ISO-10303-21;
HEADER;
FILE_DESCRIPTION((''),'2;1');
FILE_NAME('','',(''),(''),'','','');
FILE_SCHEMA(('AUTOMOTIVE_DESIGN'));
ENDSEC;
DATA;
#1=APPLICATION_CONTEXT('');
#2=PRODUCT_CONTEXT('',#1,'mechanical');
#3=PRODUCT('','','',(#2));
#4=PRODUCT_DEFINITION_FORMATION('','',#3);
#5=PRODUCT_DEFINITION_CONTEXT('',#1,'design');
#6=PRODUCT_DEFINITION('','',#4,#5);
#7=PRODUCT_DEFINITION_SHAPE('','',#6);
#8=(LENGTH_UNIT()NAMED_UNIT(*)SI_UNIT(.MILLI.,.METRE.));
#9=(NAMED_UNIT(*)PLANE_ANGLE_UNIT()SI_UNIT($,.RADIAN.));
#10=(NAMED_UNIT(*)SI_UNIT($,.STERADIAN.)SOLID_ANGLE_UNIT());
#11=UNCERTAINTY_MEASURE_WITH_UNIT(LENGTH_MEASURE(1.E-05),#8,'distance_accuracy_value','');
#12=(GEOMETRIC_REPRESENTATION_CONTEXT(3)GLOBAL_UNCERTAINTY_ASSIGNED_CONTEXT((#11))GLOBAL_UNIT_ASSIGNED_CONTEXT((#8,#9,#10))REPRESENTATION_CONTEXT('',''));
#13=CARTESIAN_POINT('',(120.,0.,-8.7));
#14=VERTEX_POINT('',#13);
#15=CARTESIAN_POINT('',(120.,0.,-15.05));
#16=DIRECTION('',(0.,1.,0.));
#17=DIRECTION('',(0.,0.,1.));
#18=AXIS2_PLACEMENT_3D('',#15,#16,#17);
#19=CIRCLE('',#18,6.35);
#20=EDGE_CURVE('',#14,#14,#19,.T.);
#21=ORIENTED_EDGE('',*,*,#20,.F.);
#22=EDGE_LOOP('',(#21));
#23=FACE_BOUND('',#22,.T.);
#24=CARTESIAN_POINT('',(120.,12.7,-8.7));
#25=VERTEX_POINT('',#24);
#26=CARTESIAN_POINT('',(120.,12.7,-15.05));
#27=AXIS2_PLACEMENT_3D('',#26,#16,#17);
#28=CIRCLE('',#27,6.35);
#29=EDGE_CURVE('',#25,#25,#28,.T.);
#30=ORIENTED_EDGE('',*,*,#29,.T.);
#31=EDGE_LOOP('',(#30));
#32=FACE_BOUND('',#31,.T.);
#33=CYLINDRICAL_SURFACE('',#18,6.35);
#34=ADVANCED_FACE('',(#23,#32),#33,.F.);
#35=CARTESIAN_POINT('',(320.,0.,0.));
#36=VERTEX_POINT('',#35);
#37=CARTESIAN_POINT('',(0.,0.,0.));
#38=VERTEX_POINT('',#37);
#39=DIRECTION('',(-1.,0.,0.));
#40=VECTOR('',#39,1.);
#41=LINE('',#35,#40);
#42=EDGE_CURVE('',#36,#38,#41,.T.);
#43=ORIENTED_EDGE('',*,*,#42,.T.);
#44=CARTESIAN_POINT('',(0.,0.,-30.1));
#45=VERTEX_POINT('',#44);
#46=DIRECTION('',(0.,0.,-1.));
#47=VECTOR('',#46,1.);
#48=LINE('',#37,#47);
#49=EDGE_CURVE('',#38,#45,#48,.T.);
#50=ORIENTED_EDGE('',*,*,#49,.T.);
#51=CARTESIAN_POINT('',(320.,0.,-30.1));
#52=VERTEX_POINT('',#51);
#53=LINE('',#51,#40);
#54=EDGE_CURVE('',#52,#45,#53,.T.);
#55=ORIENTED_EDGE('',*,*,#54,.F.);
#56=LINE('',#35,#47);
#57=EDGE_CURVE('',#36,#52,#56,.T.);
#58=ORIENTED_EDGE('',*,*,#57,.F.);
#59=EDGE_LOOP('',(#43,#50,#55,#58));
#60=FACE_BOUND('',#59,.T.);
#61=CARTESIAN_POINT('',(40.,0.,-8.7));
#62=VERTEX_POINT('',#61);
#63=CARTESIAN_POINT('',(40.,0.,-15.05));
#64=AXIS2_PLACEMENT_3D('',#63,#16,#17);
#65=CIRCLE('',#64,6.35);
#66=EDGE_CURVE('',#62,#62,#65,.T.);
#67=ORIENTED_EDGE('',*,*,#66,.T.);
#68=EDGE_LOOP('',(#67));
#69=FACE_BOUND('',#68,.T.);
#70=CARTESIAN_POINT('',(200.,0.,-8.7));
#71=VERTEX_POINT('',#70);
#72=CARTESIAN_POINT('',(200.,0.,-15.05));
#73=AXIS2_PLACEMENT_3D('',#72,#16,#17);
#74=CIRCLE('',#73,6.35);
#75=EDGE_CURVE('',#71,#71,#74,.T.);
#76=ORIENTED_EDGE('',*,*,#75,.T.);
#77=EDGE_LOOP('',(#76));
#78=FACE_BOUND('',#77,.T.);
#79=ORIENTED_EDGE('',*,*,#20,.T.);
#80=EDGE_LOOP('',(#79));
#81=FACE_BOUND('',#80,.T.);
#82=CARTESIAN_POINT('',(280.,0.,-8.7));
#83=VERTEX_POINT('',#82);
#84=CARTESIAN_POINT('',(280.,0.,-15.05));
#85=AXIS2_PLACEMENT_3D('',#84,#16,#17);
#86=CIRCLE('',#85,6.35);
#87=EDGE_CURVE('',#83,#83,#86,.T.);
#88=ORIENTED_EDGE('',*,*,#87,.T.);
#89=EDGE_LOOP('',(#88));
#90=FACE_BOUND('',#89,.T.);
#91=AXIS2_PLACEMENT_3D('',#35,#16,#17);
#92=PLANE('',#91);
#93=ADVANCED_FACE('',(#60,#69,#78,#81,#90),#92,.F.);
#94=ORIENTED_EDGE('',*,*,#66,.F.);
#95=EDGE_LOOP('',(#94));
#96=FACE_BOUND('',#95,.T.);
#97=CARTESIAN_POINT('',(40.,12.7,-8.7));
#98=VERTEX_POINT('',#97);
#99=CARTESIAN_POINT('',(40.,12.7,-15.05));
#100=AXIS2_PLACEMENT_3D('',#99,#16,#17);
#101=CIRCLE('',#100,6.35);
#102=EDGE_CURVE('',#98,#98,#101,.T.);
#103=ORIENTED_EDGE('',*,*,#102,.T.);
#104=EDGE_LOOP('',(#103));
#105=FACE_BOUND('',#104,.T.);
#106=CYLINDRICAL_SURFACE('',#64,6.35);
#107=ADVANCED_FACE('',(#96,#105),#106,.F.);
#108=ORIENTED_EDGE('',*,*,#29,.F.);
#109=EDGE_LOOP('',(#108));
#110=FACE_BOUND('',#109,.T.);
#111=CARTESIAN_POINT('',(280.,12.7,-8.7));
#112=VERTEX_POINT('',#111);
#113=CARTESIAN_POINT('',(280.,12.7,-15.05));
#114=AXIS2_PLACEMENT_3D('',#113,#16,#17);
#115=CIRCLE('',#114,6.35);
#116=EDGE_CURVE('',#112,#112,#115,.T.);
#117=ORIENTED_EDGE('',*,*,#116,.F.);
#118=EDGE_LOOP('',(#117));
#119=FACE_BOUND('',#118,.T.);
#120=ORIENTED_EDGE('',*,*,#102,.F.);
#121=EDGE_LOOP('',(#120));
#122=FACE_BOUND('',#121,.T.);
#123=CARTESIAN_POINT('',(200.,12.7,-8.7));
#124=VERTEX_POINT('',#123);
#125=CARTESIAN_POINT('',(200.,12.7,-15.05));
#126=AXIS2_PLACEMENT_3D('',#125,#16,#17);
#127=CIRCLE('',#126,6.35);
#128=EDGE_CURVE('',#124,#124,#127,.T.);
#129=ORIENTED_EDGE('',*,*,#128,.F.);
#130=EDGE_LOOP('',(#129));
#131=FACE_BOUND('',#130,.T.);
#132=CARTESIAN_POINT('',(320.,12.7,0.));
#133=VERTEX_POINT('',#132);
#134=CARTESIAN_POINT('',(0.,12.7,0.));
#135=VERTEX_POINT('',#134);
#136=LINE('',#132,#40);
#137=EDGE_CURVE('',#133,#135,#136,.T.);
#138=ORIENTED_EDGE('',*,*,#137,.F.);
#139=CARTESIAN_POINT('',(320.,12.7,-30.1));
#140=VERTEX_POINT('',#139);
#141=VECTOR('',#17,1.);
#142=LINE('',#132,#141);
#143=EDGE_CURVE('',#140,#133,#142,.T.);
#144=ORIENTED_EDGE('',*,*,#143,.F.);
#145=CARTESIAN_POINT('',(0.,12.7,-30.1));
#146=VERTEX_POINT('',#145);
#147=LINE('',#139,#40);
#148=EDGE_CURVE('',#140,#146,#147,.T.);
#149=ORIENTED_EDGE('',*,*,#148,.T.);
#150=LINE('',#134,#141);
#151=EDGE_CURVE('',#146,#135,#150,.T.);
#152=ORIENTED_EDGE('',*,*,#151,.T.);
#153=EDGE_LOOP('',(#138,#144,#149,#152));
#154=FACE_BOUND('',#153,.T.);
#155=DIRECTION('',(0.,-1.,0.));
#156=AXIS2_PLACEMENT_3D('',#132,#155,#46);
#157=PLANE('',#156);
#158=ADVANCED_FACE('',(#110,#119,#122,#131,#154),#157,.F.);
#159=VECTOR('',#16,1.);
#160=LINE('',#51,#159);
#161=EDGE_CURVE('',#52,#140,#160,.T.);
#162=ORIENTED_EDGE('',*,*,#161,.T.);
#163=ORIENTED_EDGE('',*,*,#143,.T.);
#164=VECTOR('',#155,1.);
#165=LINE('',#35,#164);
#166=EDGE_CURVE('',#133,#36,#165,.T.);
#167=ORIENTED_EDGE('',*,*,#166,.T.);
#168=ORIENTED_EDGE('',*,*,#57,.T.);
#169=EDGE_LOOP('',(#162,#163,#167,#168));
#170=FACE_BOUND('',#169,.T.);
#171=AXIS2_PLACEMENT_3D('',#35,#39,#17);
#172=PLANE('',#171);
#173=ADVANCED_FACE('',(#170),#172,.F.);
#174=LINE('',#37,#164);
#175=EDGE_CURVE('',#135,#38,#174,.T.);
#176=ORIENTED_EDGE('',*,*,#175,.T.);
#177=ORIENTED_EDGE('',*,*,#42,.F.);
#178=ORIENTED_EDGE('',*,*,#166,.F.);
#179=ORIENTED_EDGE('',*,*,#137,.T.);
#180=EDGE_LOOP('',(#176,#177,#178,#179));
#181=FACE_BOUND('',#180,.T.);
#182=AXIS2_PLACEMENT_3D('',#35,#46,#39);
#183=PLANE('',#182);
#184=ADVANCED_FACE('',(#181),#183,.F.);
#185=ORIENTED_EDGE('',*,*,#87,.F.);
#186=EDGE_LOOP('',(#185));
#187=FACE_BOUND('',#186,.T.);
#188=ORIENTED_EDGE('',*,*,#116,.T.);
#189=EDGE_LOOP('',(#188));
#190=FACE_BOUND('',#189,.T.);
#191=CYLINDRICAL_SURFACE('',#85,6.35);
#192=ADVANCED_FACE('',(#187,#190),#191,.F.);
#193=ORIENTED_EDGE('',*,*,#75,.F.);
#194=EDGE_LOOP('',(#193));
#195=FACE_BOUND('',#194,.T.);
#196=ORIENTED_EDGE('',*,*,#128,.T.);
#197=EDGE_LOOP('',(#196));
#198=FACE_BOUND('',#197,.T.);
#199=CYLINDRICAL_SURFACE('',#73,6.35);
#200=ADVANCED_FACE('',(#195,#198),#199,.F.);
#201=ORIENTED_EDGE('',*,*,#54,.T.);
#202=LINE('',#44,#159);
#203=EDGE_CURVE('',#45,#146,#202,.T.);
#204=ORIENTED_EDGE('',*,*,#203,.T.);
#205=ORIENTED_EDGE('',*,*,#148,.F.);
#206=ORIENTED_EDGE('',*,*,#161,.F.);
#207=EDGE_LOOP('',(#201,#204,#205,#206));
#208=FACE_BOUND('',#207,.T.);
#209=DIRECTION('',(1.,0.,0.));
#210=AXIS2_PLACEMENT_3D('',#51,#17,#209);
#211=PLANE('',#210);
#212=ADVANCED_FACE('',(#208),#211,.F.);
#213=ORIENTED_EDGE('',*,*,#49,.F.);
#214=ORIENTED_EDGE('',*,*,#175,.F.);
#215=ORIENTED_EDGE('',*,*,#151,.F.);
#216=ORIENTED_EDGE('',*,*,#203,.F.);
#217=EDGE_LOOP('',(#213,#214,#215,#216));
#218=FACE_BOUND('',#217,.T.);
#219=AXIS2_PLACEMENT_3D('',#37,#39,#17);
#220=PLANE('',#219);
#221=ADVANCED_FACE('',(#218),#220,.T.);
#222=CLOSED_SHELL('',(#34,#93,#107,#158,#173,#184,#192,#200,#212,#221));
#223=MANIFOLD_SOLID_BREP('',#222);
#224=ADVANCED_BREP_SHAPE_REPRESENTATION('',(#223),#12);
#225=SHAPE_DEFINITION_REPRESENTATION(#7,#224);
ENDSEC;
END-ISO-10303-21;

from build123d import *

# Parameters (mm, degrees)
SKETCH1_W           = 30.1
SKETCH1_H           = 12.7
BOSS_EXTRUDE1_DEPTH = 320
SKETCH3_R           = 6.35
CUT_EXTRUDE1_DEPTH  = 13.7


with BuildPart() as part:
    # Sketch1 → Boss-Extrude1 (new body)
    with BuildSketch(Plane(origin=(0, 0, 0), x_dir=(0, 0, -1), z_dir=(1, 0, 0))):
        with Locations((15.05, 6.35)):
            Rectangle(SKETCH1_W, SKETCH1_H)
    extrude(amount=BOSS_EXTRUDE1_DEPTH)

    # Sketch3 → Cut-Extrude1 (cut, through all)
    with BuildSketch(Plane(origin=(0, 12.7, 0), x_dir=(1, 0, 0), z_dir=(0, 1, 0))):
        with Locations((120, 15.05)):
            Circle(SKETCH3_R)
        with Locations((200, 15.05)):
            Circle(SKETCH3_R)
        with Locations((280, 15.05)):
            Circle(SKETCH3_R)
        with Locations((40, 15.05)):
            Circle(SKETCH3_R)
    extrude(amount=-CUT_EXTRUDE1_DEPTH, mode=Mode.SUBTRACT)


solid = part.part
